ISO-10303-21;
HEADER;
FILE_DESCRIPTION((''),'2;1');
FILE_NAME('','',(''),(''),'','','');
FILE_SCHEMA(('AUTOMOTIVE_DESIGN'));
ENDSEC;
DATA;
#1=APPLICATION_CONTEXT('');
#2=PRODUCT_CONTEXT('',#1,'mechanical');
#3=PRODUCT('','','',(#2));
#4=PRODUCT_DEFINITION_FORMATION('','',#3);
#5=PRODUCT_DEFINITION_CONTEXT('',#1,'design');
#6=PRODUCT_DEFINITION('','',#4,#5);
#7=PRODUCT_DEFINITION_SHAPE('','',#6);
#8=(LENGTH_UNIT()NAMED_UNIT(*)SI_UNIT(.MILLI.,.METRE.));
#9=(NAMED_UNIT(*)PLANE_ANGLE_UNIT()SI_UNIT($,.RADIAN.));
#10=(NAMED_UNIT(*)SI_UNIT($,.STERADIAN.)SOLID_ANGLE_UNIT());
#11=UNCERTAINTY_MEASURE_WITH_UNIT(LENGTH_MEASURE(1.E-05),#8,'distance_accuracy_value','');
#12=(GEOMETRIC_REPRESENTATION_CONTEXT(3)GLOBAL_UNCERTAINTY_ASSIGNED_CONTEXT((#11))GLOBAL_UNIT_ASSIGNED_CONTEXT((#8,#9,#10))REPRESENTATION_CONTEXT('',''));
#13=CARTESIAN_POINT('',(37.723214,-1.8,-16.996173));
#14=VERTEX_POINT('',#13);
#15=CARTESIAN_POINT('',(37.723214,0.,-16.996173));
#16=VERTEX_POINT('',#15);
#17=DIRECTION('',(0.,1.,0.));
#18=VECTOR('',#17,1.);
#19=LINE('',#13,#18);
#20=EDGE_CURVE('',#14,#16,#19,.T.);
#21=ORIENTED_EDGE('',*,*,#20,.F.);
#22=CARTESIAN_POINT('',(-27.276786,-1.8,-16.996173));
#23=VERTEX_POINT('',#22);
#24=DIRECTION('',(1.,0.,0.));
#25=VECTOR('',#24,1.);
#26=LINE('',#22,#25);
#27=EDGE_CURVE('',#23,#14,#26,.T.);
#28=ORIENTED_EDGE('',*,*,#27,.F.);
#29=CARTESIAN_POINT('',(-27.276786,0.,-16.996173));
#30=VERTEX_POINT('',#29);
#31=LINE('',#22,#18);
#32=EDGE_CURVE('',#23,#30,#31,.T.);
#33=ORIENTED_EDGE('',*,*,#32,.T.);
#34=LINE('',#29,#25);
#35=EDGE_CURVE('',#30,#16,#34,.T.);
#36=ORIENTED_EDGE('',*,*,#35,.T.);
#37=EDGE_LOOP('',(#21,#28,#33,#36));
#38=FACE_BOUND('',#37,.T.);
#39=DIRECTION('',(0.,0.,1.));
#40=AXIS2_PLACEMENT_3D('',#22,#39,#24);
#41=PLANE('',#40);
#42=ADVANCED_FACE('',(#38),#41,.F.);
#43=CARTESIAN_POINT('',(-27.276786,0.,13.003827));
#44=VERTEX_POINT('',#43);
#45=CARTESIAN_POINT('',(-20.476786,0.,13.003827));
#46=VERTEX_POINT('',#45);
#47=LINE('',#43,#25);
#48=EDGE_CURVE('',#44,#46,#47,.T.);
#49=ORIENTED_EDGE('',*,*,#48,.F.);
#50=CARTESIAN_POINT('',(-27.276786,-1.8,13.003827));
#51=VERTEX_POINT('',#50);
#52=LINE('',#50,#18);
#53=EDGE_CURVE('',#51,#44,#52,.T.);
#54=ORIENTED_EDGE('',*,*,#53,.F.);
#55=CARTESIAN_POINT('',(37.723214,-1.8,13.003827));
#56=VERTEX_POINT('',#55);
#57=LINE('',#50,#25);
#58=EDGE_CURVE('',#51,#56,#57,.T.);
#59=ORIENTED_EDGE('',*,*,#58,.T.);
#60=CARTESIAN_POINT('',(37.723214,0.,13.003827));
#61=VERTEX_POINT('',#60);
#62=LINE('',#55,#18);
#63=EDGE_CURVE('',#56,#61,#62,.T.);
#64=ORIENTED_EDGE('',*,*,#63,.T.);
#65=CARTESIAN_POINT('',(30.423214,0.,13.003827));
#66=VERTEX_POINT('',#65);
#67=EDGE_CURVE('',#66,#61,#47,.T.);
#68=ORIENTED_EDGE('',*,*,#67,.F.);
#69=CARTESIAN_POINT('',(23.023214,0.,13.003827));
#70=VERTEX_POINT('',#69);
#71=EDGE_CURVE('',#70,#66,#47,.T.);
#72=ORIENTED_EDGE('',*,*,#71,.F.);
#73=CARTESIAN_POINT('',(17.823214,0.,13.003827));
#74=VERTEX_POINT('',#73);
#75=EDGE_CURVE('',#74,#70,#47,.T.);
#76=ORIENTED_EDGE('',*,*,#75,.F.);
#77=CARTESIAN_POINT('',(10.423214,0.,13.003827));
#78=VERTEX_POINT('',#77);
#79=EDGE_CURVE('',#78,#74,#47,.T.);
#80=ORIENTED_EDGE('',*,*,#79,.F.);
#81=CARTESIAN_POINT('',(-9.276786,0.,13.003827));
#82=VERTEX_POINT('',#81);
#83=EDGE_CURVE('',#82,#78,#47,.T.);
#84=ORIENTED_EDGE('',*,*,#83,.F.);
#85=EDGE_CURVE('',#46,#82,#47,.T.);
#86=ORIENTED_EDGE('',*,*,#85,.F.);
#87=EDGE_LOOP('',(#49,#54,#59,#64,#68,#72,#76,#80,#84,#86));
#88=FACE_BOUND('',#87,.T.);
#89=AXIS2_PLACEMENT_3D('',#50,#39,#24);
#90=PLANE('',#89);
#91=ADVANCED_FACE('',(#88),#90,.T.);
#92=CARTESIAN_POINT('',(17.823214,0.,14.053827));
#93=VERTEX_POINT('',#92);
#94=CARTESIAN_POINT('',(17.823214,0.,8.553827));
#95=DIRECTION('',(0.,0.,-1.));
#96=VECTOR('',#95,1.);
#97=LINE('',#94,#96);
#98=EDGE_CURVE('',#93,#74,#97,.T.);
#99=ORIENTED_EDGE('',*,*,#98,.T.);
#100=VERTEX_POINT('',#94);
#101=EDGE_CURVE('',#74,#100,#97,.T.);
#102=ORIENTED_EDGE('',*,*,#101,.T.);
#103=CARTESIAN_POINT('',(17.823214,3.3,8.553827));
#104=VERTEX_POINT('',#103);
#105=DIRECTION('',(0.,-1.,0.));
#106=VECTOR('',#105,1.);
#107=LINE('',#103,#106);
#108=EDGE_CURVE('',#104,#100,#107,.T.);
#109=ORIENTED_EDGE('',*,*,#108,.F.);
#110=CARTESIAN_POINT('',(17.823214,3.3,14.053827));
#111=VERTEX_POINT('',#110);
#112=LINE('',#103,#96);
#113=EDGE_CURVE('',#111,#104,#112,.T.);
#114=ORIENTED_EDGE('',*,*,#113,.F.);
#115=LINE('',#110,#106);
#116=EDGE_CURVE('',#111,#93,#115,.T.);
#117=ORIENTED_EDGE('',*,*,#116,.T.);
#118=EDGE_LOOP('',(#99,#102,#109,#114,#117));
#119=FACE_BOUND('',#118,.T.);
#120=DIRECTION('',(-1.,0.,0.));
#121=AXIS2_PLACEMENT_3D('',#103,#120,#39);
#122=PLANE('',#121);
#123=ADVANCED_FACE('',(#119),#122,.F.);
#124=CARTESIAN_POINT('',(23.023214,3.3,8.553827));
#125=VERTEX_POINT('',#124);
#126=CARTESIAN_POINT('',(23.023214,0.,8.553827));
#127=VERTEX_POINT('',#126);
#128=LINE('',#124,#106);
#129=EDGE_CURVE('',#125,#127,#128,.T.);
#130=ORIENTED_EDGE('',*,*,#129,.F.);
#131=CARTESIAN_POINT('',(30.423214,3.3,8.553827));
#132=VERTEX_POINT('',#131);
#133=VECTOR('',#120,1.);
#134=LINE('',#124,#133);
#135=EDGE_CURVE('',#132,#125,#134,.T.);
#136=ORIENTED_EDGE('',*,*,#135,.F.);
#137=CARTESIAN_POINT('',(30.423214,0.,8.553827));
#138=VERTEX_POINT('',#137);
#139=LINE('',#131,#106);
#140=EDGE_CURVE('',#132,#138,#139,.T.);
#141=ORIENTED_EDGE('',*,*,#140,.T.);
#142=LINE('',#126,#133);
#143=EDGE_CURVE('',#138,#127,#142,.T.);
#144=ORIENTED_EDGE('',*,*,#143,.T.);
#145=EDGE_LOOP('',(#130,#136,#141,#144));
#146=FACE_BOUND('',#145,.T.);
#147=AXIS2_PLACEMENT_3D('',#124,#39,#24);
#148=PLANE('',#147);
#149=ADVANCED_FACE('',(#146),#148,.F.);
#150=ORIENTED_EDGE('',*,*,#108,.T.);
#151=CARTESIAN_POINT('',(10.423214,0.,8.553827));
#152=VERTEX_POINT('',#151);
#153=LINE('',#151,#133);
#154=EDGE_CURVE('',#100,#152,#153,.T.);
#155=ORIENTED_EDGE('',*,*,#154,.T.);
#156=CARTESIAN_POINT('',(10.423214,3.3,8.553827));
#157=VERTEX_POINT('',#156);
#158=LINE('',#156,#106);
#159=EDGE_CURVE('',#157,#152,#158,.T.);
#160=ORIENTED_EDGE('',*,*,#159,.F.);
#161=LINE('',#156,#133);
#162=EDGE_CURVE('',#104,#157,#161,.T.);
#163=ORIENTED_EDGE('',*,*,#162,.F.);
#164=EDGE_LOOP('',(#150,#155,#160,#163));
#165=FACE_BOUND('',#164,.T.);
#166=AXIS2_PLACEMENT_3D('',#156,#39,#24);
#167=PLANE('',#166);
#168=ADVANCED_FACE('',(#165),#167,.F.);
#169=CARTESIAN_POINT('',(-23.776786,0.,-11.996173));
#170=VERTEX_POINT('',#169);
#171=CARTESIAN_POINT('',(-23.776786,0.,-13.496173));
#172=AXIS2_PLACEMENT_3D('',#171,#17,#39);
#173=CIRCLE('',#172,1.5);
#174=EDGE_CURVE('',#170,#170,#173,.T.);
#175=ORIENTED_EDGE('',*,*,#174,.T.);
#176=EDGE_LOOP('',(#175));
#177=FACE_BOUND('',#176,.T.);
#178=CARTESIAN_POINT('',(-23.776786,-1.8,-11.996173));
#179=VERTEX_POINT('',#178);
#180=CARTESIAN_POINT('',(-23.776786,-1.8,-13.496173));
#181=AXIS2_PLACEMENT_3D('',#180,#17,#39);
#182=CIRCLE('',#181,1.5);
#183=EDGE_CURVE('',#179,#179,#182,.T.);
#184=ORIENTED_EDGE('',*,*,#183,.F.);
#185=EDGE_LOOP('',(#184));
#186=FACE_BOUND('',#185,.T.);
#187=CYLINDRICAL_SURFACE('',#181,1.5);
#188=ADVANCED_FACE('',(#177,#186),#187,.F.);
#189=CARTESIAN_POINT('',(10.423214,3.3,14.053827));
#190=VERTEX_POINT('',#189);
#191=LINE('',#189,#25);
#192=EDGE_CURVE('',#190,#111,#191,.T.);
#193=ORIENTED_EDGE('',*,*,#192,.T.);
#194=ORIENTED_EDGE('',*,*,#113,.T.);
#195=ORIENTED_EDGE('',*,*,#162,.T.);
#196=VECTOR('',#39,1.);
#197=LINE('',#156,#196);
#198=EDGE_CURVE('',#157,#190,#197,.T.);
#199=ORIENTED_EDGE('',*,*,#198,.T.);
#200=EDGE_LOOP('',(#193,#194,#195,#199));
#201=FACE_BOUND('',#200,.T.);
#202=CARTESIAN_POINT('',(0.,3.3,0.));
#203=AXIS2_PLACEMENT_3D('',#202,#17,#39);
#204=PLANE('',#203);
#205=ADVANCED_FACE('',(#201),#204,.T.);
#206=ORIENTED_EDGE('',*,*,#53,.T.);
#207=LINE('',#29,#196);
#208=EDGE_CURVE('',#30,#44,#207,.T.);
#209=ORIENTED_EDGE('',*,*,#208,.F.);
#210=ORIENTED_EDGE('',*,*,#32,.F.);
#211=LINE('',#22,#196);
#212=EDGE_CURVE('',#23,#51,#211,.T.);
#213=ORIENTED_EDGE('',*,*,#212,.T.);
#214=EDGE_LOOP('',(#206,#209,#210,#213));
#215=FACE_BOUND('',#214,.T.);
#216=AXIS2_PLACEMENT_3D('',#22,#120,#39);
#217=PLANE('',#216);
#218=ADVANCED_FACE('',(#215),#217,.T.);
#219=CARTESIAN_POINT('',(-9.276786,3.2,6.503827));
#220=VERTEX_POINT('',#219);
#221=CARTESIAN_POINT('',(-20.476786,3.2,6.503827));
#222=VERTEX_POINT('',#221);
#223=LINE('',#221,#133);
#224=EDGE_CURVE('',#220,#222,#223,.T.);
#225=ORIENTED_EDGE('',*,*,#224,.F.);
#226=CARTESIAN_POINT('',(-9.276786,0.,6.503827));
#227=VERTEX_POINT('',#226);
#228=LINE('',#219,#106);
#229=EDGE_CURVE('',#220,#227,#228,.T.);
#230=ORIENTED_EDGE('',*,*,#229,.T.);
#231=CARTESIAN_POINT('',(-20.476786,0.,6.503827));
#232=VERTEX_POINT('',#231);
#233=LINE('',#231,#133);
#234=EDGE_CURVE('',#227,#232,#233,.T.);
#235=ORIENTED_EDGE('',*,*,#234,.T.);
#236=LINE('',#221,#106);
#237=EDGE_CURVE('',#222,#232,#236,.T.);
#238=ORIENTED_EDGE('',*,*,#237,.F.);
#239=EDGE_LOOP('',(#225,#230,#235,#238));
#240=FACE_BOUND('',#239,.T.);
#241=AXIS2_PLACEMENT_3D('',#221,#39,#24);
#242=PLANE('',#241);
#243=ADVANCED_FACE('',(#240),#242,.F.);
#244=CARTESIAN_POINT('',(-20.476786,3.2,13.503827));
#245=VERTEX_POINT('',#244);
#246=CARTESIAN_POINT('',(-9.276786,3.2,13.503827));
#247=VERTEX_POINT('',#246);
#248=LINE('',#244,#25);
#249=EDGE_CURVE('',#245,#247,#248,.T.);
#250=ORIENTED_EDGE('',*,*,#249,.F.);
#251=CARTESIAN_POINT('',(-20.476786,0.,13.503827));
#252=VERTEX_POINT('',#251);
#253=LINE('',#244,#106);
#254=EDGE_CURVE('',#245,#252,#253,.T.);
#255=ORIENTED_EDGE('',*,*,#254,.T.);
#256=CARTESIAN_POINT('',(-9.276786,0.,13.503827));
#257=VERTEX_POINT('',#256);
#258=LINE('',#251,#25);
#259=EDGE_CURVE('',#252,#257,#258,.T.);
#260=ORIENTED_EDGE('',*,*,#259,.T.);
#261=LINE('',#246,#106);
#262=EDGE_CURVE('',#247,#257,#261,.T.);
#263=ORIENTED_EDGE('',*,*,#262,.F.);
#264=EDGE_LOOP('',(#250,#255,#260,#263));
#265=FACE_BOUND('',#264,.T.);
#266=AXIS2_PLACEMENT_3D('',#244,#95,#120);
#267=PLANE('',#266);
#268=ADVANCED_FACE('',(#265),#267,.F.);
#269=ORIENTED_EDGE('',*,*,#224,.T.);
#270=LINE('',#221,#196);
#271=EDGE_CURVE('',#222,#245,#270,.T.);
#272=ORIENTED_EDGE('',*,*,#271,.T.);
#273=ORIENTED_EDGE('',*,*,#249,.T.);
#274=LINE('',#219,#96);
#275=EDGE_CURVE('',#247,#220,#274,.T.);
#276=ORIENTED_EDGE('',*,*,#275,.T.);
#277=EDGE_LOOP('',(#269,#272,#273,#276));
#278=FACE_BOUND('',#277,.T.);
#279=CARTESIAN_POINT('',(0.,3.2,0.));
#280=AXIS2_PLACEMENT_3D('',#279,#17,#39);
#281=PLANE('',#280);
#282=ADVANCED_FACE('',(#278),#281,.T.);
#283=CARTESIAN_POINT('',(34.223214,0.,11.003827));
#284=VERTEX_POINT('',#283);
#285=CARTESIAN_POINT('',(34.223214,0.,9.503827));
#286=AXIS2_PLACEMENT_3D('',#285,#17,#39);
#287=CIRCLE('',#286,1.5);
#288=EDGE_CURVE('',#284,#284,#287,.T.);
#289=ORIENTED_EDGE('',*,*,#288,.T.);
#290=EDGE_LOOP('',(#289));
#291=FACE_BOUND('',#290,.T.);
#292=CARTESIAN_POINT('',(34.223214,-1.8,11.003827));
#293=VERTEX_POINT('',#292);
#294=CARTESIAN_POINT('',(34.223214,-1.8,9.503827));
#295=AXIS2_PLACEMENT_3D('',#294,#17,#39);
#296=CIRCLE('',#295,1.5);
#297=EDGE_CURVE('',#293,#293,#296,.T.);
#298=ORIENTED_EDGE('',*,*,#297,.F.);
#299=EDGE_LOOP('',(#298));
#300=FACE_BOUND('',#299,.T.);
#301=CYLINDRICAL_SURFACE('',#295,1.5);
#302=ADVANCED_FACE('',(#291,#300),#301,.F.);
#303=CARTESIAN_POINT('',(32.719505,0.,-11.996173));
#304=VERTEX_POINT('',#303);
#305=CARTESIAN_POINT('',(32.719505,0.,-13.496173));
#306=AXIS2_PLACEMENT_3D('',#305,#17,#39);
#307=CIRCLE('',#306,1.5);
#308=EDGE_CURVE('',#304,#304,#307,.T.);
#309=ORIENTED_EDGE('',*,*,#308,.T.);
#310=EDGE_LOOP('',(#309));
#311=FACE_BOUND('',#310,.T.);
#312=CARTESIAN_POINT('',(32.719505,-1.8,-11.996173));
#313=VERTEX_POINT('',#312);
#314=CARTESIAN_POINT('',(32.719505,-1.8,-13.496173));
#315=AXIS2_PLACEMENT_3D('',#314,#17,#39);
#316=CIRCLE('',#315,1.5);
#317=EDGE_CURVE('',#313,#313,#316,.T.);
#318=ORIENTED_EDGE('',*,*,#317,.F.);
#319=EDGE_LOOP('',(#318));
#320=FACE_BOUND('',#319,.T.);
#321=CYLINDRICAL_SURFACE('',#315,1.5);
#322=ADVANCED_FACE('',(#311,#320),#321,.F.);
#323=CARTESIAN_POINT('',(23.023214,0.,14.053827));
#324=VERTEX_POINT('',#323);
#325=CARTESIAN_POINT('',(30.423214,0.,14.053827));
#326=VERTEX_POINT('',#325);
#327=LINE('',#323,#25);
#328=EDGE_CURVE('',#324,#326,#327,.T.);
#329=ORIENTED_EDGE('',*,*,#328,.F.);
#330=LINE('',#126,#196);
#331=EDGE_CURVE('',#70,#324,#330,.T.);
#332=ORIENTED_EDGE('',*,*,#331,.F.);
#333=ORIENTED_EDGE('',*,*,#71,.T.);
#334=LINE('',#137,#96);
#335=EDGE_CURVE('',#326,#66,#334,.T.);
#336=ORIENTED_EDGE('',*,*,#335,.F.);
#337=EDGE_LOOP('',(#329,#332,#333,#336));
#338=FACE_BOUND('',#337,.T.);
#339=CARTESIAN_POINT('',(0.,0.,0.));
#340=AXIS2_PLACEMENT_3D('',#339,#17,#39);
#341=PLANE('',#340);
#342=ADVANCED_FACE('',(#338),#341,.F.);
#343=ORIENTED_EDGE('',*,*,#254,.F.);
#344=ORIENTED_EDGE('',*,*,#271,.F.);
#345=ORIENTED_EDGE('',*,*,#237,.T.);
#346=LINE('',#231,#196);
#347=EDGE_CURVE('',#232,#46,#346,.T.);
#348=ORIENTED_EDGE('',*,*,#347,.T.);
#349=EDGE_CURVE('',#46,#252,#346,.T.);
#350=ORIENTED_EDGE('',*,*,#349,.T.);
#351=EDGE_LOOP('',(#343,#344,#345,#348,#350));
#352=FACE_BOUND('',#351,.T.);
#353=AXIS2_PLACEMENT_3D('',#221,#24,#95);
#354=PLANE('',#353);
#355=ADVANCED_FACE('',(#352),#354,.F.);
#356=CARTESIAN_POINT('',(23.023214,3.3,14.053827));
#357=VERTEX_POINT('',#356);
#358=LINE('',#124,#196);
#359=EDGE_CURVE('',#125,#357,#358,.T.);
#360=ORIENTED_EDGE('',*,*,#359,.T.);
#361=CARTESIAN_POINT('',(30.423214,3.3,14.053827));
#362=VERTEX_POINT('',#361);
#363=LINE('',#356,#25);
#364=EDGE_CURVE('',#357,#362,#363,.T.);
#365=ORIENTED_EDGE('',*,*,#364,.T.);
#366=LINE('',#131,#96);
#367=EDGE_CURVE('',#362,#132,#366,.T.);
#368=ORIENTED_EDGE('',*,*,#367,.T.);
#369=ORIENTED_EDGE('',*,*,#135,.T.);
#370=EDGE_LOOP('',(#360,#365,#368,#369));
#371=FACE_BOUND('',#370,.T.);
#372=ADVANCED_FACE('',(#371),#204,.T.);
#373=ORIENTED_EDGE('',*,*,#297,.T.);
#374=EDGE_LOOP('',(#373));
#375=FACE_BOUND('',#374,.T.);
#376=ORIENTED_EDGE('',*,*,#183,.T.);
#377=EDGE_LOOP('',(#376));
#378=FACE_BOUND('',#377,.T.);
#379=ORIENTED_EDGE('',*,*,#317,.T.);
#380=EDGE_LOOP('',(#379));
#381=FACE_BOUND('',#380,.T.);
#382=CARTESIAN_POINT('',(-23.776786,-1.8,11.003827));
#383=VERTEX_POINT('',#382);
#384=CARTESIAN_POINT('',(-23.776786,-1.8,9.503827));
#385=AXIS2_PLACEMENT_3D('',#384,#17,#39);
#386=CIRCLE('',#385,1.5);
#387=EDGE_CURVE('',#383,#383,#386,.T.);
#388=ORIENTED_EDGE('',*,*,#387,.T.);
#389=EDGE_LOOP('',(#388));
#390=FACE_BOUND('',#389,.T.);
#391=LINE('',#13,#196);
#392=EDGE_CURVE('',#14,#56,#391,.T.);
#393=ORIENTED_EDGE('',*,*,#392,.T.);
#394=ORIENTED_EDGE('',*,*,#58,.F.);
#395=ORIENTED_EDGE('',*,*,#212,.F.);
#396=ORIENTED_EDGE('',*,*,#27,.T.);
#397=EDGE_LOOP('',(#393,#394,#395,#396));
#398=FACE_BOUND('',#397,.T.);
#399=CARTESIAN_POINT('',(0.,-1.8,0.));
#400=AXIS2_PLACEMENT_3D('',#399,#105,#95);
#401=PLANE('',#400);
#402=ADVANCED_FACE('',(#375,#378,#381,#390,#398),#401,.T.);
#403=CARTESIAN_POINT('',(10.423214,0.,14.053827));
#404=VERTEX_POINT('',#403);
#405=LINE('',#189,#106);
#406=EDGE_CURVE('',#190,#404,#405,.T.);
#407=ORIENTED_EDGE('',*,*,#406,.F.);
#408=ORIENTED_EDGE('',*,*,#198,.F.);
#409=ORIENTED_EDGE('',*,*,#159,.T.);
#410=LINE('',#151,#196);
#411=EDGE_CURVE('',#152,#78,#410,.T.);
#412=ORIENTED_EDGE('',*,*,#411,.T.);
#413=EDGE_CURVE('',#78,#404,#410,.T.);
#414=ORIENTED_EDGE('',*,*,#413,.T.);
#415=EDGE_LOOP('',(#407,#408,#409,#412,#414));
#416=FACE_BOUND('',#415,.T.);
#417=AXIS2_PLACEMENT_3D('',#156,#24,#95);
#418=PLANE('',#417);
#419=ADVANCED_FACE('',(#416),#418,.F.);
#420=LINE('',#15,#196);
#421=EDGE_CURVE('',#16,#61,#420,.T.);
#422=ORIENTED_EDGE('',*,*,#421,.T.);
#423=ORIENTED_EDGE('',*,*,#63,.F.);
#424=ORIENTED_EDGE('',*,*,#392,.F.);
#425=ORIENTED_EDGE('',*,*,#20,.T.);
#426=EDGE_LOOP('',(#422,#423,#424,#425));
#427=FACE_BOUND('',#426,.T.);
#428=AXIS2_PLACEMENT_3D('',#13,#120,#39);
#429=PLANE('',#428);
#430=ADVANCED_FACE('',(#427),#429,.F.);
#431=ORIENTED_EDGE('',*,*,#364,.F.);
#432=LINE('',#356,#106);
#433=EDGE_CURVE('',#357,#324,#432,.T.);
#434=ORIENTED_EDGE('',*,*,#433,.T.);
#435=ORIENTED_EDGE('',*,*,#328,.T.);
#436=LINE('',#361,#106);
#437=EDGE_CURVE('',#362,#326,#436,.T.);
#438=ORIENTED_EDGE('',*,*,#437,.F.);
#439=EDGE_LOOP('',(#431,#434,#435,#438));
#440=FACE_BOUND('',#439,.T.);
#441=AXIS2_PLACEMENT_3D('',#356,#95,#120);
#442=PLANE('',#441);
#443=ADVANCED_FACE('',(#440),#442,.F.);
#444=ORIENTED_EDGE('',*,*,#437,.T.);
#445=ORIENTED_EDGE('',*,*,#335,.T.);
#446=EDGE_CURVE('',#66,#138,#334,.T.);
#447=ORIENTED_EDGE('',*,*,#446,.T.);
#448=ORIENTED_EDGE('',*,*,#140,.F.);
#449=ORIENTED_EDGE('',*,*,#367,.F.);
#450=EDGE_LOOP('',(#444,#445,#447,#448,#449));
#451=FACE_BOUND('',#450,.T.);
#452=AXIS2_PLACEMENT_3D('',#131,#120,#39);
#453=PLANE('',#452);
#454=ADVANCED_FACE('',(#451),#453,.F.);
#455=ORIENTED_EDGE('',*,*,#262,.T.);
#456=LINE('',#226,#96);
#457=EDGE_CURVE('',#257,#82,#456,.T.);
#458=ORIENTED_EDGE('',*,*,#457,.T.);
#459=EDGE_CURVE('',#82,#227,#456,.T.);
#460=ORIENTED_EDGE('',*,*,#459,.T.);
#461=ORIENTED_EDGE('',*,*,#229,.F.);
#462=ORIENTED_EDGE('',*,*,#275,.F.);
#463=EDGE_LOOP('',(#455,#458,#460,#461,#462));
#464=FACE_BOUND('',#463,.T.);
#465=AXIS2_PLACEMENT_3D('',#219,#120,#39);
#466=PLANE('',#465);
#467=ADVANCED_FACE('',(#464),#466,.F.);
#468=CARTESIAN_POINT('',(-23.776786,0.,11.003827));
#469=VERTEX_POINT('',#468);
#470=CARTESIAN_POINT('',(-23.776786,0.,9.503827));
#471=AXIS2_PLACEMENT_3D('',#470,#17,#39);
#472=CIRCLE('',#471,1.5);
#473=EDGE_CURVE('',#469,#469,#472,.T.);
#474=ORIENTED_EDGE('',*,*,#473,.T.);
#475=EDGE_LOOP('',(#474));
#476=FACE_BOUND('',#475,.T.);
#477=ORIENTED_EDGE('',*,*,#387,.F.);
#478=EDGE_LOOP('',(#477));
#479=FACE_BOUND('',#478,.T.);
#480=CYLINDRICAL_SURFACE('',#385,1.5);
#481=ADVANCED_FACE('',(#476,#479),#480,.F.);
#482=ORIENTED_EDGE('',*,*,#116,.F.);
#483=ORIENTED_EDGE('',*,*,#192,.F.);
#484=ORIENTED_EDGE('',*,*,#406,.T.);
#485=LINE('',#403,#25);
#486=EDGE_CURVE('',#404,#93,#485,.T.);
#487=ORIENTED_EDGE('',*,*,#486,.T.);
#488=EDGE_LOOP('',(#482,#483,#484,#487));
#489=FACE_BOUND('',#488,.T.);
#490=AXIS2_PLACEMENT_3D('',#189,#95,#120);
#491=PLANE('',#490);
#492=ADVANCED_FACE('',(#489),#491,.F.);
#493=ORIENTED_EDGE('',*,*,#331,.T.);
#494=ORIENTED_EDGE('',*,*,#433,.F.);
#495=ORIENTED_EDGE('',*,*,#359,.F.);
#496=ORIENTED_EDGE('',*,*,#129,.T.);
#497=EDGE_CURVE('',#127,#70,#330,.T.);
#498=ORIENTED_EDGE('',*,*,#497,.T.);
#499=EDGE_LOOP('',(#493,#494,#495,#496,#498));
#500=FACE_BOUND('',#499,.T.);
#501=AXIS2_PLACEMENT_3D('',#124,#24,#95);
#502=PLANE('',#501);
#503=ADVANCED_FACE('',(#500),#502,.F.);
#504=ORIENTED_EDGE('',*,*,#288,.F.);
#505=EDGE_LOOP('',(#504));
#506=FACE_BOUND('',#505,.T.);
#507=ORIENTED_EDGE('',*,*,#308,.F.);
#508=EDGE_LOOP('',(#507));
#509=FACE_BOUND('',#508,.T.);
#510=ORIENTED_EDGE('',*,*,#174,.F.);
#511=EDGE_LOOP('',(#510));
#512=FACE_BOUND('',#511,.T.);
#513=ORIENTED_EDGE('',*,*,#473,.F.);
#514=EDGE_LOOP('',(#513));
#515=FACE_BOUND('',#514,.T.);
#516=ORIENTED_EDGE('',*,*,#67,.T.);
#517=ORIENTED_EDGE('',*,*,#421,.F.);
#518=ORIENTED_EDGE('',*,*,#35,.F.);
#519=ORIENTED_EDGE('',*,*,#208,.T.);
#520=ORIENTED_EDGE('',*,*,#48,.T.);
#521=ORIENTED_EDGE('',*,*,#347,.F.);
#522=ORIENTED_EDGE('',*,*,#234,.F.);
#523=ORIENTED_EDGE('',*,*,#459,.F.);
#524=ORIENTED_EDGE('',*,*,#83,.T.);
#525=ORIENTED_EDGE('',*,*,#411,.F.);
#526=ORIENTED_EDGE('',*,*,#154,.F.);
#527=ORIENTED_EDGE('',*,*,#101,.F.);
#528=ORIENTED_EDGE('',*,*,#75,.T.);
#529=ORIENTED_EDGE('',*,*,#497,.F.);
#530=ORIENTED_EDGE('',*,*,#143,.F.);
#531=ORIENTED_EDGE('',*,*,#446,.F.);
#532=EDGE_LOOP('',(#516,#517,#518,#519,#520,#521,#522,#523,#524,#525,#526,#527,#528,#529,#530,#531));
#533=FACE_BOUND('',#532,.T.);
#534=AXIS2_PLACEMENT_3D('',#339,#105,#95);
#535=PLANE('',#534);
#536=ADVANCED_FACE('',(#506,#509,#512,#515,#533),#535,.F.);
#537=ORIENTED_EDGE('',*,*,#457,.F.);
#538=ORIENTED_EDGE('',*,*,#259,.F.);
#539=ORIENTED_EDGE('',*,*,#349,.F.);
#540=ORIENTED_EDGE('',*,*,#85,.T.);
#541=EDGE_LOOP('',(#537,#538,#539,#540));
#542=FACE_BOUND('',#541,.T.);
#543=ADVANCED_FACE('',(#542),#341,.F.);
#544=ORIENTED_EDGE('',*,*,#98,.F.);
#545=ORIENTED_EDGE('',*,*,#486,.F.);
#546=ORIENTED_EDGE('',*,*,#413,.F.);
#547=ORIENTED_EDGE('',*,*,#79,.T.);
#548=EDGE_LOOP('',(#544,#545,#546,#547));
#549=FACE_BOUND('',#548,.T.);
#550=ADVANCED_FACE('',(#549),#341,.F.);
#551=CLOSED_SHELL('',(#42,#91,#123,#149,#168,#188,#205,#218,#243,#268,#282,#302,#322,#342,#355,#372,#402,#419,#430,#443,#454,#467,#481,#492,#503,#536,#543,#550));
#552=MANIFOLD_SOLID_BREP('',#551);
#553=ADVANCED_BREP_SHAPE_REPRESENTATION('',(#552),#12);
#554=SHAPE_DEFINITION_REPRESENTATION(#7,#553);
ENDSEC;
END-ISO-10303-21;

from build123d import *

# Parameters (mm, degrees)
SKETCH4_W           = 65
SKETCH4_H           = 30
SKETCH4_R           = 1.5
BOSS_EXTRUDE1_DEPTH = 1.8
SKETCH5_W           = 11.2
SKETCH5_H           = 7
BOSS_EXTRUDE2_DEPTH = 3.2
SKETCH6_W           = 7.4
SKETCH6_H           = 5.5
BOSS_EXTRUDE3_DEPTH = 3.3


with BuildPart() as part:
    # Sketch4 → Boss-Extrude1 (new body)
    with BuildSketch(Plane(origin=(0, 0, 0), x_dir=(1, 0, 0), z_dir=(0, 1, 0))):
        with Locations((5.223214286, 1.996173469)):
            Rectangle(SKETCH4_W, SKETCH4_H)
        with Locations((-23.776785714, 13.496173469)):
            Circle(SKETCH4_R, mode=Mode.SUBTRACT)
        with Locations((32.719505344, 13.496173469)):
            Circle(SKETCH4_R, mode=Mode.SUBTRACT)
        with Locations((34.223214286, -9.503826531)):
            Circle(SKETCH4_R, mode=Mode.SUBTRACT)
        with Locations((-23.776785714, -9.503826531)):
            Circle(SKETCH4_R, mode=Mode.SUBTRACT)
    extrude(amount=-BOSS_EXTRUDE1_DEPTH)

    # Sketch5 → Boss-Extrude2 (add)
    with BuildSketch(Plane(origin=(0, 0, 0), x_dir=(1, 0, 0), z_dir=(0, 1, 0))):
        with Locations((-14.876785714, -10.003826531)):
            Rectangle(SKETCH5_W, SKETCH5_H)
    extrude(amount=BOSS_EXTRUDE2_DEPTH)

    # Sketch6 → Boss-Extrude3 (add)
    with BuildSketch(Plane(origin=(0, 0, 0), x_dir=(1, 0, 0), z_dir=(0, 1, 0))):
        with Locations((14.123214286, -11.303826531)):
            Rectangle(SKETCH6_W, SKETCH6_H)
        with Locations((26.723214286, -11.303826531)):
            Rectangle(SKETCH6_W, SKETCH6_H)
    extrude(amount=BOSS_EXTRUDE3_DEPTH)


solid = part.part
